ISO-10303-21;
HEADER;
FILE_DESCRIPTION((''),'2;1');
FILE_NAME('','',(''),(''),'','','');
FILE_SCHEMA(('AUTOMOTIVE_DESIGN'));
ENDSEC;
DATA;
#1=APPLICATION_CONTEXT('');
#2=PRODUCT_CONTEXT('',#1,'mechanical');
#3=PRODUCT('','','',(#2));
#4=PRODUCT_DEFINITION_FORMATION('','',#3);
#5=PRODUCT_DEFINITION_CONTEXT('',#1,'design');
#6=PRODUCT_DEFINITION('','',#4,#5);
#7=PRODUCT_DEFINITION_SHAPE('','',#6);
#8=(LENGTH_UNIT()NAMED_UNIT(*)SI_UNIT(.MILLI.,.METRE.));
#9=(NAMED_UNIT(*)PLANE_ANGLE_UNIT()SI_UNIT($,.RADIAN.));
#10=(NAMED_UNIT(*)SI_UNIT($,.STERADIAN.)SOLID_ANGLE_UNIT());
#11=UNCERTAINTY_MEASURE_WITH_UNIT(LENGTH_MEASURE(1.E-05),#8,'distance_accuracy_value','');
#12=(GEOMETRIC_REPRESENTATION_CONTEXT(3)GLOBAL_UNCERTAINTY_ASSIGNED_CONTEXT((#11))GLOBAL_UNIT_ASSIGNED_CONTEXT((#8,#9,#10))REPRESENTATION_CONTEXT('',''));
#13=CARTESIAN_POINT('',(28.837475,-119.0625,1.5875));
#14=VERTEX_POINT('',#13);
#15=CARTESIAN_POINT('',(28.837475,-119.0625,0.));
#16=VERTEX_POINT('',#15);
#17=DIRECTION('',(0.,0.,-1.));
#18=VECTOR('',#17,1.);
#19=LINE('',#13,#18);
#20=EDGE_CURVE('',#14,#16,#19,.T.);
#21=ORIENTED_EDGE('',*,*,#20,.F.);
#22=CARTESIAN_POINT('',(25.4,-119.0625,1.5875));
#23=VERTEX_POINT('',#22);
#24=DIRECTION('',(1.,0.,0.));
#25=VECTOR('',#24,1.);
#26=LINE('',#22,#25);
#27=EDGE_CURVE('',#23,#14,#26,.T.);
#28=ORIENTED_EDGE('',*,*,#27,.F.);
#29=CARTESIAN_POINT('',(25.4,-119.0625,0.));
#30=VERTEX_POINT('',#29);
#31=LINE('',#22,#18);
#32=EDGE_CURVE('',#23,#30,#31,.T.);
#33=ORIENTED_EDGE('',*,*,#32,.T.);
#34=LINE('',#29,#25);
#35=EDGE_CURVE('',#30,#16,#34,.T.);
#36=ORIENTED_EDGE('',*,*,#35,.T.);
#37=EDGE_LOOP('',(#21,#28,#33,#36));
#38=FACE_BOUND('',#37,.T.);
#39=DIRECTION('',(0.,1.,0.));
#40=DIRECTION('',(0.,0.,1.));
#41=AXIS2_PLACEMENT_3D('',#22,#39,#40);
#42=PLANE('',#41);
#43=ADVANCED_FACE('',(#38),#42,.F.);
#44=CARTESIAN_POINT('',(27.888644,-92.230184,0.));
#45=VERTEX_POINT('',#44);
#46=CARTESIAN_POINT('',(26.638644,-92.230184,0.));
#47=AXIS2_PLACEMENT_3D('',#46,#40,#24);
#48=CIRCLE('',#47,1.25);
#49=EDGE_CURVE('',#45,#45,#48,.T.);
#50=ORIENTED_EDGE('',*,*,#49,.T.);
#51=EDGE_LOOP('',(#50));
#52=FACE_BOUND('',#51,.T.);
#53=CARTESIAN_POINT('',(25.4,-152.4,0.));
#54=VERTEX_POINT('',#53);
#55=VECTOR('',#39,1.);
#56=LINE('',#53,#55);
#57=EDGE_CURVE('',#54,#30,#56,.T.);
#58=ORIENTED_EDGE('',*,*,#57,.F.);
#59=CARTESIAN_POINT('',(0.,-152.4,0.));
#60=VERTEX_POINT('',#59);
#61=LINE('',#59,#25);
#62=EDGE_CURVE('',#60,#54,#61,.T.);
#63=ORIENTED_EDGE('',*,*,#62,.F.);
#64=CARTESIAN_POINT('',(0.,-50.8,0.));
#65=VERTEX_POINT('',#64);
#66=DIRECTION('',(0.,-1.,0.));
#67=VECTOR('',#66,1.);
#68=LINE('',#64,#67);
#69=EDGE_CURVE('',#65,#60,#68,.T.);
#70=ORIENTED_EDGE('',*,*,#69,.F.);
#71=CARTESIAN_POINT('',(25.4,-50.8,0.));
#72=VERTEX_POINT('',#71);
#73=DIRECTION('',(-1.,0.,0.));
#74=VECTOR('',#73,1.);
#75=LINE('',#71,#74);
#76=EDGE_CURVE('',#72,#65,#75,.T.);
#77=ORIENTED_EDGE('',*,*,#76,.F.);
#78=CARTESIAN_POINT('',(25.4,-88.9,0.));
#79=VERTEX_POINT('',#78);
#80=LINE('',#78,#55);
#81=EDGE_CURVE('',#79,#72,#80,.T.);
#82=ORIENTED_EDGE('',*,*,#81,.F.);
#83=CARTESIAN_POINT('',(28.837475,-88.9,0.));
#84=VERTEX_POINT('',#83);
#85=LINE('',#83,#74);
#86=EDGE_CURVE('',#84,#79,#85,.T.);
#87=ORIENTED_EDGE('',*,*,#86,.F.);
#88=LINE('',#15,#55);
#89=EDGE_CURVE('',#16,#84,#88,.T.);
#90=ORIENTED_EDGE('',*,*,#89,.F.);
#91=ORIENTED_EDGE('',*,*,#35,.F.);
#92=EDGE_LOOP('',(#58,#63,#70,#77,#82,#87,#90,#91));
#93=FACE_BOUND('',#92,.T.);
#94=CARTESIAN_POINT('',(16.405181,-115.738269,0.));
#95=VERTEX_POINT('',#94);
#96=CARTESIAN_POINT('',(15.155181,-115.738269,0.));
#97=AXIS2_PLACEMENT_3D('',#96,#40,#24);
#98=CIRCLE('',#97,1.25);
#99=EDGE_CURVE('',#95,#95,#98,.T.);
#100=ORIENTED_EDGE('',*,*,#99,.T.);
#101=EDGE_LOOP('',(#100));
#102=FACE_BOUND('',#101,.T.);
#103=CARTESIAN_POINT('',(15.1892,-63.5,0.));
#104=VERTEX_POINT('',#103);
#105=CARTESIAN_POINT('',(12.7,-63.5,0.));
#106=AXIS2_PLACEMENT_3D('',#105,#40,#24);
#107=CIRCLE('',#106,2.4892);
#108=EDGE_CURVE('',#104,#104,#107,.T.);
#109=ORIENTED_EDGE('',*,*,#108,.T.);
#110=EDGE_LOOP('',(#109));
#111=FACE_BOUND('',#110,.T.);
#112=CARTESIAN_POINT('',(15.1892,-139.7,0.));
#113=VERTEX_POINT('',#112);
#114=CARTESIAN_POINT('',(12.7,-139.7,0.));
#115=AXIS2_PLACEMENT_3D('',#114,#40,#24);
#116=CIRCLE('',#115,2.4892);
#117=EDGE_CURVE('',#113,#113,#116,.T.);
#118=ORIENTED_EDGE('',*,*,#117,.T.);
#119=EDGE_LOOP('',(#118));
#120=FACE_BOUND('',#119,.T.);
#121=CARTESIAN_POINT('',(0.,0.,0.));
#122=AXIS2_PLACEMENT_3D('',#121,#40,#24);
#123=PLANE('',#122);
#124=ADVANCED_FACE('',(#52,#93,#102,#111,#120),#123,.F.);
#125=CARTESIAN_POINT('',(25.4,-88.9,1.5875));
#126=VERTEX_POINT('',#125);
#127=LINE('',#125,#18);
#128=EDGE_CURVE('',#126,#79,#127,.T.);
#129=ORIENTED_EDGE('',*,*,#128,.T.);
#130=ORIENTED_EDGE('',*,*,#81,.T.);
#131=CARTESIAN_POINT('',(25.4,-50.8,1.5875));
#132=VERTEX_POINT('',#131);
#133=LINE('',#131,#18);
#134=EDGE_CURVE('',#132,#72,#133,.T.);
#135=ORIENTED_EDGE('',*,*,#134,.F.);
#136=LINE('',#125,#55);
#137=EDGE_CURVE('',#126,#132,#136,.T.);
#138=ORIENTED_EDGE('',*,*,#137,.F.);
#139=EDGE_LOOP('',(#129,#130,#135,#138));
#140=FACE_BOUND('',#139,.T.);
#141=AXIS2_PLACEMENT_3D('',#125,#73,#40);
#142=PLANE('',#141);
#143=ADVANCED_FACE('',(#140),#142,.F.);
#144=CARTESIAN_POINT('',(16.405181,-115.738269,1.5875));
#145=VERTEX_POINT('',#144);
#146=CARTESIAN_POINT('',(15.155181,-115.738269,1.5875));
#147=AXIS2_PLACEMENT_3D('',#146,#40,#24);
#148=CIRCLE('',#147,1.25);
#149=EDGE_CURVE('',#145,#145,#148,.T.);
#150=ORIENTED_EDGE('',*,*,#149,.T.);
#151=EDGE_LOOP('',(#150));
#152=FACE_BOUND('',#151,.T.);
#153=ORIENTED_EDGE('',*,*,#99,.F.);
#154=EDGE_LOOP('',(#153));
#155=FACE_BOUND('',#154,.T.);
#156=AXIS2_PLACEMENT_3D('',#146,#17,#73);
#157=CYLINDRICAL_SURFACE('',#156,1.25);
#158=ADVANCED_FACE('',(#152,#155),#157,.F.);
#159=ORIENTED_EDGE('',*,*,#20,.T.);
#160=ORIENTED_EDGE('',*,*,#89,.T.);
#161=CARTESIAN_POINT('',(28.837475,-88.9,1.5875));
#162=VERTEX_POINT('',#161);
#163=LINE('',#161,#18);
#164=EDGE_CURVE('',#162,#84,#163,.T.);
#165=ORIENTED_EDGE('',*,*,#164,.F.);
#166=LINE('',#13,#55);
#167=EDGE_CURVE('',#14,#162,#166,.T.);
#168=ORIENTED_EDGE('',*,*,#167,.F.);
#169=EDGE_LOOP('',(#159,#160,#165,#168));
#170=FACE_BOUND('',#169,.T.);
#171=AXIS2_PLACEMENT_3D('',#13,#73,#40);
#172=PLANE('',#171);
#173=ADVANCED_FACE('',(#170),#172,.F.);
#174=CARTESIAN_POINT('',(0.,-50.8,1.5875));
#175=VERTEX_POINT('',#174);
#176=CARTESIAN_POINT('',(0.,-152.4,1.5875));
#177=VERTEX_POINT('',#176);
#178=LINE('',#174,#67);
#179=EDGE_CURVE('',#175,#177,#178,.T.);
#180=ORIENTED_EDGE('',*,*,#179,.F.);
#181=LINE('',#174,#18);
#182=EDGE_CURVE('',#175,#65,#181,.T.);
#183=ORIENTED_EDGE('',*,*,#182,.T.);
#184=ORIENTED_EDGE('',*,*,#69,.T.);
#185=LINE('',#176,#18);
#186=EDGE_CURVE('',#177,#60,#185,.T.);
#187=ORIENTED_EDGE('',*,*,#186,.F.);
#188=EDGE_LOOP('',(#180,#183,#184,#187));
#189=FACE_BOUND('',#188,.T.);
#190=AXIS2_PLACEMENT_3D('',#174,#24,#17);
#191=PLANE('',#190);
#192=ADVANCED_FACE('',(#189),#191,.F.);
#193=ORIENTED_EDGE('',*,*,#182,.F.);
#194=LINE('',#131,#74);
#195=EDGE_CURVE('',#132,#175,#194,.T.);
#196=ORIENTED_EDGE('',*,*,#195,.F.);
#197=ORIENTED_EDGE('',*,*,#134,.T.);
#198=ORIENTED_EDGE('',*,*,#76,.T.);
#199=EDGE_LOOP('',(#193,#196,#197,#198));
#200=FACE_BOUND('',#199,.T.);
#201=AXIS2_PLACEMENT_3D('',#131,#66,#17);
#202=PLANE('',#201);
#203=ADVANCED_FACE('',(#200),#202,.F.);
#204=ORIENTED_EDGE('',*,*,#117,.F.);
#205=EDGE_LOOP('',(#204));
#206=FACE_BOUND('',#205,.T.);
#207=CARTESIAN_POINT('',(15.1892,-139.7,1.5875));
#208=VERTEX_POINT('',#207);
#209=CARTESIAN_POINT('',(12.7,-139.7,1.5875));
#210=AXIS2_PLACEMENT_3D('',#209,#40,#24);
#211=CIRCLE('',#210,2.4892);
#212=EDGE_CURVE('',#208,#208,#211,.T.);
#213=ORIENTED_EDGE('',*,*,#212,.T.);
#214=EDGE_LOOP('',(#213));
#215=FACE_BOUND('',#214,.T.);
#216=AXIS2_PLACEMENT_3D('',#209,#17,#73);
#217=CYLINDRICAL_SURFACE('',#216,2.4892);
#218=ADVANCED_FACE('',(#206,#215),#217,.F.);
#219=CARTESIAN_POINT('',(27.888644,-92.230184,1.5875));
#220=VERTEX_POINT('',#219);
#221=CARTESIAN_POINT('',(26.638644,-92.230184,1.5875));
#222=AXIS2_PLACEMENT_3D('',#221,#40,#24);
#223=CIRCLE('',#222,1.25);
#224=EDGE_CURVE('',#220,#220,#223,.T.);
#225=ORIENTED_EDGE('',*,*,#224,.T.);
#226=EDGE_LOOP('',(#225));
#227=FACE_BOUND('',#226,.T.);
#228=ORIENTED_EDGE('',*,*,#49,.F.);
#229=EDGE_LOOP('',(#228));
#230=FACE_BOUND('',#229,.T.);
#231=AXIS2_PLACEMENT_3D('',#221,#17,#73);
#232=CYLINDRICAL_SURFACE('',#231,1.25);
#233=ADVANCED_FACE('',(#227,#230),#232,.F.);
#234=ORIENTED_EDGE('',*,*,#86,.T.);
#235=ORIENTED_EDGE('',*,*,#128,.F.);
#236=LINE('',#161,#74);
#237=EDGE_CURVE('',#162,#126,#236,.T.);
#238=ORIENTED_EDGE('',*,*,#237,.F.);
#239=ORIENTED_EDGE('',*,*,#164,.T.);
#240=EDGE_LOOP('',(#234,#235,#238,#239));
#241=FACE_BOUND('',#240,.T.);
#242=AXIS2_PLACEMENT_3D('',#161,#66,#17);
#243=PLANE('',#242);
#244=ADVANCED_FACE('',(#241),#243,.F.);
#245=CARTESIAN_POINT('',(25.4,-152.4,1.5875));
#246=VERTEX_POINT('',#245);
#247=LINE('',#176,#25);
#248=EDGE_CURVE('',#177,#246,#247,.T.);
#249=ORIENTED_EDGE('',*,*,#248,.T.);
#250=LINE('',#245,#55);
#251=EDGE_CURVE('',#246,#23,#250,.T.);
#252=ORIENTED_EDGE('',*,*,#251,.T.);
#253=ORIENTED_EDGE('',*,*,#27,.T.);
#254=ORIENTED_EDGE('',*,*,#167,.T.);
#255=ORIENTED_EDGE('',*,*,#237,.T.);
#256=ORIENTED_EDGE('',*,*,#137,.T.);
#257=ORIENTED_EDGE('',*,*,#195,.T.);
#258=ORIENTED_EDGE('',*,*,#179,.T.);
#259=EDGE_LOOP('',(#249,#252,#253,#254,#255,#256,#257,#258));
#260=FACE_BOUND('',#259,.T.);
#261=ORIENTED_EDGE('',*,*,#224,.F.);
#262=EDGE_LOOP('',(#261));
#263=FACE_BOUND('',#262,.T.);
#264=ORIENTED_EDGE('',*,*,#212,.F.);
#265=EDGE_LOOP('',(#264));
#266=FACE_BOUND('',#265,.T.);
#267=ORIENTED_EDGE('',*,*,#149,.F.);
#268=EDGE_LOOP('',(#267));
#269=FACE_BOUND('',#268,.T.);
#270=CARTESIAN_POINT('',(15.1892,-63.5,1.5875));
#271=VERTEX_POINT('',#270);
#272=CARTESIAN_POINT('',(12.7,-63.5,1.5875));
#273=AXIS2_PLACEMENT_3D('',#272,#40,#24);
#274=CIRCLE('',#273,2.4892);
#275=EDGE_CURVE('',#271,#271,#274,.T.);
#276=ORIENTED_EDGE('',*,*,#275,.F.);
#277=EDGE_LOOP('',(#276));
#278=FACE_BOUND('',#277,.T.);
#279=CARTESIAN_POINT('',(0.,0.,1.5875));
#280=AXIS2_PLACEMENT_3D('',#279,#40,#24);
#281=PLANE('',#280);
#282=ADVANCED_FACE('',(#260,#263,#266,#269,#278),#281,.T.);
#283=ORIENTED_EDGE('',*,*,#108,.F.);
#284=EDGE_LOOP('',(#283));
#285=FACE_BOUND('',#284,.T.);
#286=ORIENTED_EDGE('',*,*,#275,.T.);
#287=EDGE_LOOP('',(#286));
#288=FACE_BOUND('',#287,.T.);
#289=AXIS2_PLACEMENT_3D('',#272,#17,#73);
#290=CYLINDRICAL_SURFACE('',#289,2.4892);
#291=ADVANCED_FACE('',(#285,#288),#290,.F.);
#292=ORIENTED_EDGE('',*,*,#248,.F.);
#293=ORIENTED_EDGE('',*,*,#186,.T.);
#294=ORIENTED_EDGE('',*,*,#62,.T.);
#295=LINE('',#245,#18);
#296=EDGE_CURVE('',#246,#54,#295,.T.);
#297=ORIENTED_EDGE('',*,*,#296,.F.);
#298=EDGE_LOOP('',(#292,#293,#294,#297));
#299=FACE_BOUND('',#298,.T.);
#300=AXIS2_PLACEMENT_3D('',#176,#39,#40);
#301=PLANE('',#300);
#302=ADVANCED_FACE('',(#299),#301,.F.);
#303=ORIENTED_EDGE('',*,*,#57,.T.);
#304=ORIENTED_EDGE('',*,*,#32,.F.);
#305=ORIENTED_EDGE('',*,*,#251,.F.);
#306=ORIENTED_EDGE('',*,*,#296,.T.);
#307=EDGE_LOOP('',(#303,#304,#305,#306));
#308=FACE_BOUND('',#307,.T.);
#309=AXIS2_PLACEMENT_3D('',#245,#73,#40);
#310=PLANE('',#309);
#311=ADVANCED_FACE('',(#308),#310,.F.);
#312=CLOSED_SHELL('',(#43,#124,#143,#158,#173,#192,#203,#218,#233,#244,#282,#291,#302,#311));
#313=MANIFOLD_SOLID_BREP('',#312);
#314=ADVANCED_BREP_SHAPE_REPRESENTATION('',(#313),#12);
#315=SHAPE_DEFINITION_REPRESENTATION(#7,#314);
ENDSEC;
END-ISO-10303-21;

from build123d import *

# Parameters (mm, degrees)
SKETCH1_R           = 2.4892
SKETCH1_R_2         = 1.25
BOSS_EXTRUDE1_DEPTH = 1.5875


with BuildPart() as part:
    # Sketch1 → Boss-Extrude1 (new body)
    with BuildSketch(Plane.XY):
        Polygon((0, -50.8), (0, -152.4), (25.4, -152.4), (25.4, -119.0625), (28.837475462, -119.0625), (28.837475462, -88.9), (25.4, -88.9), (25.4, -50.8), align=None)
        with Locations((12.7, -63.5)):
            Circle(SKETCH1_R, mode=Mode.SUBTRACT)
        with Locations((12.7, -139.7)):
            Circle(SKETCH1_R, mode=Mode.SUBTRACT)
        with Locations((15.15518054, -115.738269016)):
            Circle(SKETCH1_R_2, mode=Mode.SUBTRACT)
        with Locations((26.638643662, -92.23018371)):
            Circle(SKETCH1_R_2, mode=Mode.SUBTRACT)
    extrude(amount=BOSS_EXTRUDE1_DEPTH)


solid = part.part
